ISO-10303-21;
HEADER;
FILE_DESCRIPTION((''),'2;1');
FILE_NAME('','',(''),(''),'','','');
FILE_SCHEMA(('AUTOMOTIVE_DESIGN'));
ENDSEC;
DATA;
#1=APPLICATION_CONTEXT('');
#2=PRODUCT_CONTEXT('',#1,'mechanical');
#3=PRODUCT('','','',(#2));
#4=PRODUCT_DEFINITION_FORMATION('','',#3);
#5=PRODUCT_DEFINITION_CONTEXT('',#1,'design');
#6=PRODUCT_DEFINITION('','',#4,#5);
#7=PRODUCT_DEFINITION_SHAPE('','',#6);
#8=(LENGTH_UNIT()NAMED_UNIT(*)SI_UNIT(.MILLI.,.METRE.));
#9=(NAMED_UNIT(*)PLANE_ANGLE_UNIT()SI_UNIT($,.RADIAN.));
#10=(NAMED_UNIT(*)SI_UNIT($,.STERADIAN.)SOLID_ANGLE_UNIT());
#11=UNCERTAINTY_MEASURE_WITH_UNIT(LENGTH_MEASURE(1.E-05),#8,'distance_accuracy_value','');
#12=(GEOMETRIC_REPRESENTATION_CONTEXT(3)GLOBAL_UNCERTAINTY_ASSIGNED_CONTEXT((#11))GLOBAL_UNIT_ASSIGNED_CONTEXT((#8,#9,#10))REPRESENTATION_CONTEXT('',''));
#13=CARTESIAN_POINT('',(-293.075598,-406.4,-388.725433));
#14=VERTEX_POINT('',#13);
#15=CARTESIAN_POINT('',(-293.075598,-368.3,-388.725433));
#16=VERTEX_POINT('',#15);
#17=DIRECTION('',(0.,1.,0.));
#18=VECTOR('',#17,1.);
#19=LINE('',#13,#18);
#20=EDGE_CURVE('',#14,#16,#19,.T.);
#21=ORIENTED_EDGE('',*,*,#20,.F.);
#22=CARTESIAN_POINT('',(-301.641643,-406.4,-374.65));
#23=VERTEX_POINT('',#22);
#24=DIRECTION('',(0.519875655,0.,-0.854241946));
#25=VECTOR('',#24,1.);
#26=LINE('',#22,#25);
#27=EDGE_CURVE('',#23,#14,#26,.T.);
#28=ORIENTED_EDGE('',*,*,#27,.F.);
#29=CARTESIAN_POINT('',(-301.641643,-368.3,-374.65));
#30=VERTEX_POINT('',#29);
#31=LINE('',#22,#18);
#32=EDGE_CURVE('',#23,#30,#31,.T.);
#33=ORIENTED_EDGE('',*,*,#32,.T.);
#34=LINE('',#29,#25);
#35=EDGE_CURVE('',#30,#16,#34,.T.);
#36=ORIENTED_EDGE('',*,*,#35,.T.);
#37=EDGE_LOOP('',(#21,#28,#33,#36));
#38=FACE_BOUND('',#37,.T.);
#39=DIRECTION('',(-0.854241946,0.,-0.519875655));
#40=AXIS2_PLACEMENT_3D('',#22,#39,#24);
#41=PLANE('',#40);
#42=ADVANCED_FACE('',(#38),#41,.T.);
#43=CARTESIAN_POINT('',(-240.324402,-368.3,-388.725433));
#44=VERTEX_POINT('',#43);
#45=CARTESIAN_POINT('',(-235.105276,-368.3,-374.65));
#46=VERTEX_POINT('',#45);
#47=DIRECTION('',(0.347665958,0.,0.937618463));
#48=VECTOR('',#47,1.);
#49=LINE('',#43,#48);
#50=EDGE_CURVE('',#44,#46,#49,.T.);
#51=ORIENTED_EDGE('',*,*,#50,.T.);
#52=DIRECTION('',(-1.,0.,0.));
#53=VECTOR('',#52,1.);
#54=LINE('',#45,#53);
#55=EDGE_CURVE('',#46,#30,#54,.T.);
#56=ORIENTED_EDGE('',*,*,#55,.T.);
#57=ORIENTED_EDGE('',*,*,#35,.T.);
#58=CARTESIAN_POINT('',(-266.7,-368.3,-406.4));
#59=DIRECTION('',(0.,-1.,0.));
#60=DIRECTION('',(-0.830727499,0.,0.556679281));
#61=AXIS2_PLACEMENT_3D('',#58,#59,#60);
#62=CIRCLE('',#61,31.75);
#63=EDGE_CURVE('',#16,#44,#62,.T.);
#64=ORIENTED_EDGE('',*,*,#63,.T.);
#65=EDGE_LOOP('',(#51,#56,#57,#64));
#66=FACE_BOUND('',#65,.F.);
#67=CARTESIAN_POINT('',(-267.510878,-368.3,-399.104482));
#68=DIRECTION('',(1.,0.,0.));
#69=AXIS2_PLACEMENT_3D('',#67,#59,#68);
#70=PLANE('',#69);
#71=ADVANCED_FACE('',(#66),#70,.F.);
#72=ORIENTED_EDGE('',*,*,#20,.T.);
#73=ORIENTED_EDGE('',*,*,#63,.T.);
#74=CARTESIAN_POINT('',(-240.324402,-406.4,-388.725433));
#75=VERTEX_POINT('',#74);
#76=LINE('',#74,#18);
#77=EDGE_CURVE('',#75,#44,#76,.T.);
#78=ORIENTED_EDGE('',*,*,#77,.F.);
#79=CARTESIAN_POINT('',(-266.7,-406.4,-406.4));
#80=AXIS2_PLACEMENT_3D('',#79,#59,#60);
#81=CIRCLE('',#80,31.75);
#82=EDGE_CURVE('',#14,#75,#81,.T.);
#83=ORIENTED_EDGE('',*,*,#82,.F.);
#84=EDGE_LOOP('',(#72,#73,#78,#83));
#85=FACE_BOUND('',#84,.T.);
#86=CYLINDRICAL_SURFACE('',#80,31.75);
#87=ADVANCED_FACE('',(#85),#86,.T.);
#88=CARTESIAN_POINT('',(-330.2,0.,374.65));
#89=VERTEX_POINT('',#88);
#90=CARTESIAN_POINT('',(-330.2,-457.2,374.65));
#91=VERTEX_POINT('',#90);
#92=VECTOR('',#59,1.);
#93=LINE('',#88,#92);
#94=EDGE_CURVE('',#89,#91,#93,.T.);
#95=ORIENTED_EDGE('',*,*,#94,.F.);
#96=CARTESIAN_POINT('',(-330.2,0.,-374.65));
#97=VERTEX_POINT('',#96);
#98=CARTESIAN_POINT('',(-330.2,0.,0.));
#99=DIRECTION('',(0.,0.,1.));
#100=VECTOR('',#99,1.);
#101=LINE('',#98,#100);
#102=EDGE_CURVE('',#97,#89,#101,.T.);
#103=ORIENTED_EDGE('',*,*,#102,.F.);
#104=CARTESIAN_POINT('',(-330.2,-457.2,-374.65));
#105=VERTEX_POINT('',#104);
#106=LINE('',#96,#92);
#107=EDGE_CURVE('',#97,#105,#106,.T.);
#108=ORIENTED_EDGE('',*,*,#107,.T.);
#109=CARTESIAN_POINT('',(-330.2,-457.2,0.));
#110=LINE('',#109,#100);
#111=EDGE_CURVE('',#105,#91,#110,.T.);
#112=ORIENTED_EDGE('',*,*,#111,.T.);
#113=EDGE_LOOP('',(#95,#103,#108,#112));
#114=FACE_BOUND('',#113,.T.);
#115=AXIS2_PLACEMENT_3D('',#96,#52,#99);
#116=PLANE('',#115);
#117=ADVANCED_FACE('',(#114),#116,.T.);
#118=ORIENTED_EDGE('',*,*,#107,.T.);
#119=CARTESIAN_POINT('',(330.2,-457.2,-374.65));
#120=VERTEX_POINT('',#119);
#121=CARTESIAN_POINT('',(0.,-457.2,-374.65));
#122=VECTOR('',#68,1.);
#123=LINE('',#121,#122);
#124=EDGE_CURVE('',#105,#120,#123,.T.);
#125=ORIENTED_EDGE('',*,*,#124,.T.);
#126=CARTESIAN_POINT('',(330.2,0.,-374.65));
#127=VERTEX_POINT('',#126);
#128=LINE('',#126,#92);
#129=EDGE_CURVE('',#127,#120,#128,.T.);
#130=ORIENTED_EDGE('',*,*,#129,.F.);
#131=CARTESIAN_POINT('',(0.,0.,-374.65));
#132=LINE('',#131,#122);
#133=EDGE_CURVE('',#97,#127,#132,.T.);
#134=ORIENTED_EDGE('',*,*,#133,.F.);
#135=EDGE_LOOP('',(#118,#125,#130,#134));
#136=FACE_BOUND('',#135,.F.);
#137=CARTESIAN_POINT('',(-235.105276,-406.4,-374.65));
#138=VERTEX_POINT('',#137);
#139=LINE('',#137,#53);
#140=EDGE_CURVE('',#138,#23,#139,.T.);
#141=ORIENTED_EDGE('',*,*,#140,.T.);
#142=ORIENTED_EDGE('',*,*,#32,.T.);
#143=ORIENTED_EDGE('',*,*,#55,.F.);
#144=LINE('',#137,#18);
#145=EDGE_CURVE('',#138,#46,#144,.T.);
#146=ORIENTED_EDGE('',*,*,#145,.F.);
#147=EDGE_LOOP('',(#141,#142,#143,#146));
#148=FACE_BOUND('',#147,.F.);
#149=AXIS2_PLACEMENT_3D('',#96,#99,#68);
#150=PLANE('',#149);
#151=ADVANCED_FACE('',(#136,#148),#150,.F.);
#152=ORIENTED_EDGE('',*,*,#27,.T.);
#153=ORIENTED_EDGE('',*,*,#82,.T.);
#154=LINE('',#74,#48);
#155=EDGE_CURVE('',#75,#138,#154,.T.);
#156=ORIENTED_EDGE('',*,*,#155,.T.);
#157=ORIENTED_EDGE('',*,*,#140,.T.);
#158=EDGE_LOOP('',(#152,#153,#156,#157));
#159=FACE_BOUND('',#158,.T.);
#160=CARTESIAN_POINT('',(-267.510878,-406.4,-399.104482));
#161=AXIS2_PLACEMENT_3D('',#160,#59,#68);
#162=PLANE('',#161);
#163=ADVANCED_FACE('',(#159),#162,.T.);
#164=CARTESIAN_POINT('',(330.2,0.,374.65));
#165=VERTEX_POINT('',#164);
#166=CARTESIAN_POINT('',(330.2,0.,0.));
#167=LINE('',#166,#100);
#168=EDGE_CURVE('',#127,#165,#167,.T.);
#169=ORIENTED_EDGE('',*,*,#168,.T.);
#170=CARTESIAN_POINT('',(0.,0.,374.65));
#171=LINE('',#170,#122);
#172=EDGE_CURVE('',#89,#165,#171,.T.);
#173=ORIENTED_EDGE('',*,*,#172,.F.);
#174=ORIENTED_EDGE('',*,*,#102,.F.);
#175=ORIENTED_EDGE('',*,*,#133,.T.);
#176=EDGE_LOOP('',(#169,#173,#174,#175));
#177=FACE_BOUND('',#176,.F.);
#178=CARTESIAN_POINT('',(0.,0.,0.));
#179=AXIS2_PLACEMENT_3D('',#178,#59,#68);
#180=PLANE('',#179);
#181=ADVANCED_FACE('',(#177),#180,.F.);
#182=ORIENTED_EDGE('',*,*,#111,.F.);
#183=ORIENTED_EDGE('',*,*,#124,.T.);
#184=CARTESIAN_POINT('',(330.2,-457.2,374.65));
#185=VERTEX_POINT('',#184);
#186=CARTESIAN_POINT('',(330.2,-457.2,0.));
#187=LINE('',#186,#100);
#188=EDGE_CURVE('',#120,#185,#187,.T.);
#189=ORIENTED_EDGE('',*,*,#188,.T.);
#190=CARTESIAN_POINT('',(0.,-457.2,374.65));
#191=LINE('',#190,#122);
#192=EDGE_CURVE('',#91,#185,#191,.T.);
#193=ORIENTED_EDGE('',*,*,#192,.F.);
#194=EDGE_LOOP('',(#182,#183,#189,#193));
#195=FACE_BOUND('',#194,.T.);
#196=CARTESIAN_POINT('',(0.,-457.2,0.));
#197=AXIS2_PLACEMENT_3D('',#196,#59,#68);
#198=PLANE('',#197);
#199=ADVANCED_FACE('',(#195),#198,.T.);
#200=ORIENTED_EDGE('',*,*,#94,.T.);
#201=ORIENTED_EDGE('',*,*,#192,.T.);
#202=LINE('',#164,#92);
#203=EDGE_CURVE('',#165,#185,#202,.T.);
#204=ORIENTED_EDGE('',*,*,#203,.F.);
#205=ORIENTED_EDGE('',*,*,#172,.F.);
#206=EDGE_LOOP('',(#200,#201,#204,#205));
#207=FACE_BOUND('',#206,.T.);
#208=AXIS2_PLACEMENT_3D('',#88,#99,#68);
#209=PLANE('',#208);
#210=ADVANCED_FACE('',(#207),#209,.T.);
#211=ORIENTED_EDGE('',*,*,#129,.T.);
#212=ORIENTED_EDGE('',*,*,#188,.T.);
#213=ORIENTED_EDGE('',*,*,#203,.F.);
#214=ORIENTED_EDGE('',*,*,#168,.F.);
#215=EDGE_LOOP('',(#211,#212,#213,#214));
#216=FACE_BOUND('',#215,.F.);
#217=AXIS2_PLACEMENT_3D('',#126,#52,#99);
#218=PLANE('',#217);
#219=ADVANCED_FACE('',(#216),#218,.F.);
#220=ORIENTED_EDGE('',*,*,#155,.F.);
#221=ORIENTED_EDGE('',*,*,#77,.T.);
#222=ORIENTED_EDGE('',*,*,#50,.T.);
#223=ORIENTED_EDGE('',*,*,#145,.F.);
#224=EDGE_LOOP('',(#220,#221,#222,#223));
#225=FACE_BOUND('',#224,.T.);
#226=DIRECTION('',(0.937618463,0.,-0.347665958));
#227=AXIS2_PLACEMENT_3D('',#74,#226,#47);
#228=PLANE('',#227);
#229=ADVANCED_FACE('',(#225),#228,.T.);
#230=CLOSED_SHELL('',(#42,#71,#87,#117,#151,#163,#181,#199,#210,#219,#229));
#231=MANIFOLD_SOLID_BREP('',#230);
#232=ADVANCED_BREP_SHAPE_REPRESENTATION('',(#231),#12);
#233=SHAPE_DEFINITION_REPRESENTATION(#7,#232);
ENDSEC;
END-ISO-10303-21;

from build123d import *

# Parameters (mm, degrees)
F0_W     = 660.4
F0_H     = 749.3
F1_DEPTH = 457.2
F4_DEPTH = 38.1


with BuildPart() as f1:
    # F0 (on Front) → F1 (new body)
    with BuildSketch(Plane.XZ):
        Rectangle(F0_W, F0_H)
    extrude(amount=F1_DEPTH)

    # F3 (on offset) → F4 (join)
    with BuildSketch(Plane.XZ.offset(406.4)):
        with BuildLine():
            Line((-301.641643, -374.65), (-293.075598, -388.725433))
            ThreePointArc((-293.075598, -388.725433), (-266.7, -438.15), (-240.324402, -388.725433))
            Line((-240.324402, -388.725433), (-235.105276, -374.65))
            Line((-235.105276, -374.65), (-301.641643, -374.65))
        make_face()
    extrude(amount=-F4_DEPTH)


solid = f1.part
